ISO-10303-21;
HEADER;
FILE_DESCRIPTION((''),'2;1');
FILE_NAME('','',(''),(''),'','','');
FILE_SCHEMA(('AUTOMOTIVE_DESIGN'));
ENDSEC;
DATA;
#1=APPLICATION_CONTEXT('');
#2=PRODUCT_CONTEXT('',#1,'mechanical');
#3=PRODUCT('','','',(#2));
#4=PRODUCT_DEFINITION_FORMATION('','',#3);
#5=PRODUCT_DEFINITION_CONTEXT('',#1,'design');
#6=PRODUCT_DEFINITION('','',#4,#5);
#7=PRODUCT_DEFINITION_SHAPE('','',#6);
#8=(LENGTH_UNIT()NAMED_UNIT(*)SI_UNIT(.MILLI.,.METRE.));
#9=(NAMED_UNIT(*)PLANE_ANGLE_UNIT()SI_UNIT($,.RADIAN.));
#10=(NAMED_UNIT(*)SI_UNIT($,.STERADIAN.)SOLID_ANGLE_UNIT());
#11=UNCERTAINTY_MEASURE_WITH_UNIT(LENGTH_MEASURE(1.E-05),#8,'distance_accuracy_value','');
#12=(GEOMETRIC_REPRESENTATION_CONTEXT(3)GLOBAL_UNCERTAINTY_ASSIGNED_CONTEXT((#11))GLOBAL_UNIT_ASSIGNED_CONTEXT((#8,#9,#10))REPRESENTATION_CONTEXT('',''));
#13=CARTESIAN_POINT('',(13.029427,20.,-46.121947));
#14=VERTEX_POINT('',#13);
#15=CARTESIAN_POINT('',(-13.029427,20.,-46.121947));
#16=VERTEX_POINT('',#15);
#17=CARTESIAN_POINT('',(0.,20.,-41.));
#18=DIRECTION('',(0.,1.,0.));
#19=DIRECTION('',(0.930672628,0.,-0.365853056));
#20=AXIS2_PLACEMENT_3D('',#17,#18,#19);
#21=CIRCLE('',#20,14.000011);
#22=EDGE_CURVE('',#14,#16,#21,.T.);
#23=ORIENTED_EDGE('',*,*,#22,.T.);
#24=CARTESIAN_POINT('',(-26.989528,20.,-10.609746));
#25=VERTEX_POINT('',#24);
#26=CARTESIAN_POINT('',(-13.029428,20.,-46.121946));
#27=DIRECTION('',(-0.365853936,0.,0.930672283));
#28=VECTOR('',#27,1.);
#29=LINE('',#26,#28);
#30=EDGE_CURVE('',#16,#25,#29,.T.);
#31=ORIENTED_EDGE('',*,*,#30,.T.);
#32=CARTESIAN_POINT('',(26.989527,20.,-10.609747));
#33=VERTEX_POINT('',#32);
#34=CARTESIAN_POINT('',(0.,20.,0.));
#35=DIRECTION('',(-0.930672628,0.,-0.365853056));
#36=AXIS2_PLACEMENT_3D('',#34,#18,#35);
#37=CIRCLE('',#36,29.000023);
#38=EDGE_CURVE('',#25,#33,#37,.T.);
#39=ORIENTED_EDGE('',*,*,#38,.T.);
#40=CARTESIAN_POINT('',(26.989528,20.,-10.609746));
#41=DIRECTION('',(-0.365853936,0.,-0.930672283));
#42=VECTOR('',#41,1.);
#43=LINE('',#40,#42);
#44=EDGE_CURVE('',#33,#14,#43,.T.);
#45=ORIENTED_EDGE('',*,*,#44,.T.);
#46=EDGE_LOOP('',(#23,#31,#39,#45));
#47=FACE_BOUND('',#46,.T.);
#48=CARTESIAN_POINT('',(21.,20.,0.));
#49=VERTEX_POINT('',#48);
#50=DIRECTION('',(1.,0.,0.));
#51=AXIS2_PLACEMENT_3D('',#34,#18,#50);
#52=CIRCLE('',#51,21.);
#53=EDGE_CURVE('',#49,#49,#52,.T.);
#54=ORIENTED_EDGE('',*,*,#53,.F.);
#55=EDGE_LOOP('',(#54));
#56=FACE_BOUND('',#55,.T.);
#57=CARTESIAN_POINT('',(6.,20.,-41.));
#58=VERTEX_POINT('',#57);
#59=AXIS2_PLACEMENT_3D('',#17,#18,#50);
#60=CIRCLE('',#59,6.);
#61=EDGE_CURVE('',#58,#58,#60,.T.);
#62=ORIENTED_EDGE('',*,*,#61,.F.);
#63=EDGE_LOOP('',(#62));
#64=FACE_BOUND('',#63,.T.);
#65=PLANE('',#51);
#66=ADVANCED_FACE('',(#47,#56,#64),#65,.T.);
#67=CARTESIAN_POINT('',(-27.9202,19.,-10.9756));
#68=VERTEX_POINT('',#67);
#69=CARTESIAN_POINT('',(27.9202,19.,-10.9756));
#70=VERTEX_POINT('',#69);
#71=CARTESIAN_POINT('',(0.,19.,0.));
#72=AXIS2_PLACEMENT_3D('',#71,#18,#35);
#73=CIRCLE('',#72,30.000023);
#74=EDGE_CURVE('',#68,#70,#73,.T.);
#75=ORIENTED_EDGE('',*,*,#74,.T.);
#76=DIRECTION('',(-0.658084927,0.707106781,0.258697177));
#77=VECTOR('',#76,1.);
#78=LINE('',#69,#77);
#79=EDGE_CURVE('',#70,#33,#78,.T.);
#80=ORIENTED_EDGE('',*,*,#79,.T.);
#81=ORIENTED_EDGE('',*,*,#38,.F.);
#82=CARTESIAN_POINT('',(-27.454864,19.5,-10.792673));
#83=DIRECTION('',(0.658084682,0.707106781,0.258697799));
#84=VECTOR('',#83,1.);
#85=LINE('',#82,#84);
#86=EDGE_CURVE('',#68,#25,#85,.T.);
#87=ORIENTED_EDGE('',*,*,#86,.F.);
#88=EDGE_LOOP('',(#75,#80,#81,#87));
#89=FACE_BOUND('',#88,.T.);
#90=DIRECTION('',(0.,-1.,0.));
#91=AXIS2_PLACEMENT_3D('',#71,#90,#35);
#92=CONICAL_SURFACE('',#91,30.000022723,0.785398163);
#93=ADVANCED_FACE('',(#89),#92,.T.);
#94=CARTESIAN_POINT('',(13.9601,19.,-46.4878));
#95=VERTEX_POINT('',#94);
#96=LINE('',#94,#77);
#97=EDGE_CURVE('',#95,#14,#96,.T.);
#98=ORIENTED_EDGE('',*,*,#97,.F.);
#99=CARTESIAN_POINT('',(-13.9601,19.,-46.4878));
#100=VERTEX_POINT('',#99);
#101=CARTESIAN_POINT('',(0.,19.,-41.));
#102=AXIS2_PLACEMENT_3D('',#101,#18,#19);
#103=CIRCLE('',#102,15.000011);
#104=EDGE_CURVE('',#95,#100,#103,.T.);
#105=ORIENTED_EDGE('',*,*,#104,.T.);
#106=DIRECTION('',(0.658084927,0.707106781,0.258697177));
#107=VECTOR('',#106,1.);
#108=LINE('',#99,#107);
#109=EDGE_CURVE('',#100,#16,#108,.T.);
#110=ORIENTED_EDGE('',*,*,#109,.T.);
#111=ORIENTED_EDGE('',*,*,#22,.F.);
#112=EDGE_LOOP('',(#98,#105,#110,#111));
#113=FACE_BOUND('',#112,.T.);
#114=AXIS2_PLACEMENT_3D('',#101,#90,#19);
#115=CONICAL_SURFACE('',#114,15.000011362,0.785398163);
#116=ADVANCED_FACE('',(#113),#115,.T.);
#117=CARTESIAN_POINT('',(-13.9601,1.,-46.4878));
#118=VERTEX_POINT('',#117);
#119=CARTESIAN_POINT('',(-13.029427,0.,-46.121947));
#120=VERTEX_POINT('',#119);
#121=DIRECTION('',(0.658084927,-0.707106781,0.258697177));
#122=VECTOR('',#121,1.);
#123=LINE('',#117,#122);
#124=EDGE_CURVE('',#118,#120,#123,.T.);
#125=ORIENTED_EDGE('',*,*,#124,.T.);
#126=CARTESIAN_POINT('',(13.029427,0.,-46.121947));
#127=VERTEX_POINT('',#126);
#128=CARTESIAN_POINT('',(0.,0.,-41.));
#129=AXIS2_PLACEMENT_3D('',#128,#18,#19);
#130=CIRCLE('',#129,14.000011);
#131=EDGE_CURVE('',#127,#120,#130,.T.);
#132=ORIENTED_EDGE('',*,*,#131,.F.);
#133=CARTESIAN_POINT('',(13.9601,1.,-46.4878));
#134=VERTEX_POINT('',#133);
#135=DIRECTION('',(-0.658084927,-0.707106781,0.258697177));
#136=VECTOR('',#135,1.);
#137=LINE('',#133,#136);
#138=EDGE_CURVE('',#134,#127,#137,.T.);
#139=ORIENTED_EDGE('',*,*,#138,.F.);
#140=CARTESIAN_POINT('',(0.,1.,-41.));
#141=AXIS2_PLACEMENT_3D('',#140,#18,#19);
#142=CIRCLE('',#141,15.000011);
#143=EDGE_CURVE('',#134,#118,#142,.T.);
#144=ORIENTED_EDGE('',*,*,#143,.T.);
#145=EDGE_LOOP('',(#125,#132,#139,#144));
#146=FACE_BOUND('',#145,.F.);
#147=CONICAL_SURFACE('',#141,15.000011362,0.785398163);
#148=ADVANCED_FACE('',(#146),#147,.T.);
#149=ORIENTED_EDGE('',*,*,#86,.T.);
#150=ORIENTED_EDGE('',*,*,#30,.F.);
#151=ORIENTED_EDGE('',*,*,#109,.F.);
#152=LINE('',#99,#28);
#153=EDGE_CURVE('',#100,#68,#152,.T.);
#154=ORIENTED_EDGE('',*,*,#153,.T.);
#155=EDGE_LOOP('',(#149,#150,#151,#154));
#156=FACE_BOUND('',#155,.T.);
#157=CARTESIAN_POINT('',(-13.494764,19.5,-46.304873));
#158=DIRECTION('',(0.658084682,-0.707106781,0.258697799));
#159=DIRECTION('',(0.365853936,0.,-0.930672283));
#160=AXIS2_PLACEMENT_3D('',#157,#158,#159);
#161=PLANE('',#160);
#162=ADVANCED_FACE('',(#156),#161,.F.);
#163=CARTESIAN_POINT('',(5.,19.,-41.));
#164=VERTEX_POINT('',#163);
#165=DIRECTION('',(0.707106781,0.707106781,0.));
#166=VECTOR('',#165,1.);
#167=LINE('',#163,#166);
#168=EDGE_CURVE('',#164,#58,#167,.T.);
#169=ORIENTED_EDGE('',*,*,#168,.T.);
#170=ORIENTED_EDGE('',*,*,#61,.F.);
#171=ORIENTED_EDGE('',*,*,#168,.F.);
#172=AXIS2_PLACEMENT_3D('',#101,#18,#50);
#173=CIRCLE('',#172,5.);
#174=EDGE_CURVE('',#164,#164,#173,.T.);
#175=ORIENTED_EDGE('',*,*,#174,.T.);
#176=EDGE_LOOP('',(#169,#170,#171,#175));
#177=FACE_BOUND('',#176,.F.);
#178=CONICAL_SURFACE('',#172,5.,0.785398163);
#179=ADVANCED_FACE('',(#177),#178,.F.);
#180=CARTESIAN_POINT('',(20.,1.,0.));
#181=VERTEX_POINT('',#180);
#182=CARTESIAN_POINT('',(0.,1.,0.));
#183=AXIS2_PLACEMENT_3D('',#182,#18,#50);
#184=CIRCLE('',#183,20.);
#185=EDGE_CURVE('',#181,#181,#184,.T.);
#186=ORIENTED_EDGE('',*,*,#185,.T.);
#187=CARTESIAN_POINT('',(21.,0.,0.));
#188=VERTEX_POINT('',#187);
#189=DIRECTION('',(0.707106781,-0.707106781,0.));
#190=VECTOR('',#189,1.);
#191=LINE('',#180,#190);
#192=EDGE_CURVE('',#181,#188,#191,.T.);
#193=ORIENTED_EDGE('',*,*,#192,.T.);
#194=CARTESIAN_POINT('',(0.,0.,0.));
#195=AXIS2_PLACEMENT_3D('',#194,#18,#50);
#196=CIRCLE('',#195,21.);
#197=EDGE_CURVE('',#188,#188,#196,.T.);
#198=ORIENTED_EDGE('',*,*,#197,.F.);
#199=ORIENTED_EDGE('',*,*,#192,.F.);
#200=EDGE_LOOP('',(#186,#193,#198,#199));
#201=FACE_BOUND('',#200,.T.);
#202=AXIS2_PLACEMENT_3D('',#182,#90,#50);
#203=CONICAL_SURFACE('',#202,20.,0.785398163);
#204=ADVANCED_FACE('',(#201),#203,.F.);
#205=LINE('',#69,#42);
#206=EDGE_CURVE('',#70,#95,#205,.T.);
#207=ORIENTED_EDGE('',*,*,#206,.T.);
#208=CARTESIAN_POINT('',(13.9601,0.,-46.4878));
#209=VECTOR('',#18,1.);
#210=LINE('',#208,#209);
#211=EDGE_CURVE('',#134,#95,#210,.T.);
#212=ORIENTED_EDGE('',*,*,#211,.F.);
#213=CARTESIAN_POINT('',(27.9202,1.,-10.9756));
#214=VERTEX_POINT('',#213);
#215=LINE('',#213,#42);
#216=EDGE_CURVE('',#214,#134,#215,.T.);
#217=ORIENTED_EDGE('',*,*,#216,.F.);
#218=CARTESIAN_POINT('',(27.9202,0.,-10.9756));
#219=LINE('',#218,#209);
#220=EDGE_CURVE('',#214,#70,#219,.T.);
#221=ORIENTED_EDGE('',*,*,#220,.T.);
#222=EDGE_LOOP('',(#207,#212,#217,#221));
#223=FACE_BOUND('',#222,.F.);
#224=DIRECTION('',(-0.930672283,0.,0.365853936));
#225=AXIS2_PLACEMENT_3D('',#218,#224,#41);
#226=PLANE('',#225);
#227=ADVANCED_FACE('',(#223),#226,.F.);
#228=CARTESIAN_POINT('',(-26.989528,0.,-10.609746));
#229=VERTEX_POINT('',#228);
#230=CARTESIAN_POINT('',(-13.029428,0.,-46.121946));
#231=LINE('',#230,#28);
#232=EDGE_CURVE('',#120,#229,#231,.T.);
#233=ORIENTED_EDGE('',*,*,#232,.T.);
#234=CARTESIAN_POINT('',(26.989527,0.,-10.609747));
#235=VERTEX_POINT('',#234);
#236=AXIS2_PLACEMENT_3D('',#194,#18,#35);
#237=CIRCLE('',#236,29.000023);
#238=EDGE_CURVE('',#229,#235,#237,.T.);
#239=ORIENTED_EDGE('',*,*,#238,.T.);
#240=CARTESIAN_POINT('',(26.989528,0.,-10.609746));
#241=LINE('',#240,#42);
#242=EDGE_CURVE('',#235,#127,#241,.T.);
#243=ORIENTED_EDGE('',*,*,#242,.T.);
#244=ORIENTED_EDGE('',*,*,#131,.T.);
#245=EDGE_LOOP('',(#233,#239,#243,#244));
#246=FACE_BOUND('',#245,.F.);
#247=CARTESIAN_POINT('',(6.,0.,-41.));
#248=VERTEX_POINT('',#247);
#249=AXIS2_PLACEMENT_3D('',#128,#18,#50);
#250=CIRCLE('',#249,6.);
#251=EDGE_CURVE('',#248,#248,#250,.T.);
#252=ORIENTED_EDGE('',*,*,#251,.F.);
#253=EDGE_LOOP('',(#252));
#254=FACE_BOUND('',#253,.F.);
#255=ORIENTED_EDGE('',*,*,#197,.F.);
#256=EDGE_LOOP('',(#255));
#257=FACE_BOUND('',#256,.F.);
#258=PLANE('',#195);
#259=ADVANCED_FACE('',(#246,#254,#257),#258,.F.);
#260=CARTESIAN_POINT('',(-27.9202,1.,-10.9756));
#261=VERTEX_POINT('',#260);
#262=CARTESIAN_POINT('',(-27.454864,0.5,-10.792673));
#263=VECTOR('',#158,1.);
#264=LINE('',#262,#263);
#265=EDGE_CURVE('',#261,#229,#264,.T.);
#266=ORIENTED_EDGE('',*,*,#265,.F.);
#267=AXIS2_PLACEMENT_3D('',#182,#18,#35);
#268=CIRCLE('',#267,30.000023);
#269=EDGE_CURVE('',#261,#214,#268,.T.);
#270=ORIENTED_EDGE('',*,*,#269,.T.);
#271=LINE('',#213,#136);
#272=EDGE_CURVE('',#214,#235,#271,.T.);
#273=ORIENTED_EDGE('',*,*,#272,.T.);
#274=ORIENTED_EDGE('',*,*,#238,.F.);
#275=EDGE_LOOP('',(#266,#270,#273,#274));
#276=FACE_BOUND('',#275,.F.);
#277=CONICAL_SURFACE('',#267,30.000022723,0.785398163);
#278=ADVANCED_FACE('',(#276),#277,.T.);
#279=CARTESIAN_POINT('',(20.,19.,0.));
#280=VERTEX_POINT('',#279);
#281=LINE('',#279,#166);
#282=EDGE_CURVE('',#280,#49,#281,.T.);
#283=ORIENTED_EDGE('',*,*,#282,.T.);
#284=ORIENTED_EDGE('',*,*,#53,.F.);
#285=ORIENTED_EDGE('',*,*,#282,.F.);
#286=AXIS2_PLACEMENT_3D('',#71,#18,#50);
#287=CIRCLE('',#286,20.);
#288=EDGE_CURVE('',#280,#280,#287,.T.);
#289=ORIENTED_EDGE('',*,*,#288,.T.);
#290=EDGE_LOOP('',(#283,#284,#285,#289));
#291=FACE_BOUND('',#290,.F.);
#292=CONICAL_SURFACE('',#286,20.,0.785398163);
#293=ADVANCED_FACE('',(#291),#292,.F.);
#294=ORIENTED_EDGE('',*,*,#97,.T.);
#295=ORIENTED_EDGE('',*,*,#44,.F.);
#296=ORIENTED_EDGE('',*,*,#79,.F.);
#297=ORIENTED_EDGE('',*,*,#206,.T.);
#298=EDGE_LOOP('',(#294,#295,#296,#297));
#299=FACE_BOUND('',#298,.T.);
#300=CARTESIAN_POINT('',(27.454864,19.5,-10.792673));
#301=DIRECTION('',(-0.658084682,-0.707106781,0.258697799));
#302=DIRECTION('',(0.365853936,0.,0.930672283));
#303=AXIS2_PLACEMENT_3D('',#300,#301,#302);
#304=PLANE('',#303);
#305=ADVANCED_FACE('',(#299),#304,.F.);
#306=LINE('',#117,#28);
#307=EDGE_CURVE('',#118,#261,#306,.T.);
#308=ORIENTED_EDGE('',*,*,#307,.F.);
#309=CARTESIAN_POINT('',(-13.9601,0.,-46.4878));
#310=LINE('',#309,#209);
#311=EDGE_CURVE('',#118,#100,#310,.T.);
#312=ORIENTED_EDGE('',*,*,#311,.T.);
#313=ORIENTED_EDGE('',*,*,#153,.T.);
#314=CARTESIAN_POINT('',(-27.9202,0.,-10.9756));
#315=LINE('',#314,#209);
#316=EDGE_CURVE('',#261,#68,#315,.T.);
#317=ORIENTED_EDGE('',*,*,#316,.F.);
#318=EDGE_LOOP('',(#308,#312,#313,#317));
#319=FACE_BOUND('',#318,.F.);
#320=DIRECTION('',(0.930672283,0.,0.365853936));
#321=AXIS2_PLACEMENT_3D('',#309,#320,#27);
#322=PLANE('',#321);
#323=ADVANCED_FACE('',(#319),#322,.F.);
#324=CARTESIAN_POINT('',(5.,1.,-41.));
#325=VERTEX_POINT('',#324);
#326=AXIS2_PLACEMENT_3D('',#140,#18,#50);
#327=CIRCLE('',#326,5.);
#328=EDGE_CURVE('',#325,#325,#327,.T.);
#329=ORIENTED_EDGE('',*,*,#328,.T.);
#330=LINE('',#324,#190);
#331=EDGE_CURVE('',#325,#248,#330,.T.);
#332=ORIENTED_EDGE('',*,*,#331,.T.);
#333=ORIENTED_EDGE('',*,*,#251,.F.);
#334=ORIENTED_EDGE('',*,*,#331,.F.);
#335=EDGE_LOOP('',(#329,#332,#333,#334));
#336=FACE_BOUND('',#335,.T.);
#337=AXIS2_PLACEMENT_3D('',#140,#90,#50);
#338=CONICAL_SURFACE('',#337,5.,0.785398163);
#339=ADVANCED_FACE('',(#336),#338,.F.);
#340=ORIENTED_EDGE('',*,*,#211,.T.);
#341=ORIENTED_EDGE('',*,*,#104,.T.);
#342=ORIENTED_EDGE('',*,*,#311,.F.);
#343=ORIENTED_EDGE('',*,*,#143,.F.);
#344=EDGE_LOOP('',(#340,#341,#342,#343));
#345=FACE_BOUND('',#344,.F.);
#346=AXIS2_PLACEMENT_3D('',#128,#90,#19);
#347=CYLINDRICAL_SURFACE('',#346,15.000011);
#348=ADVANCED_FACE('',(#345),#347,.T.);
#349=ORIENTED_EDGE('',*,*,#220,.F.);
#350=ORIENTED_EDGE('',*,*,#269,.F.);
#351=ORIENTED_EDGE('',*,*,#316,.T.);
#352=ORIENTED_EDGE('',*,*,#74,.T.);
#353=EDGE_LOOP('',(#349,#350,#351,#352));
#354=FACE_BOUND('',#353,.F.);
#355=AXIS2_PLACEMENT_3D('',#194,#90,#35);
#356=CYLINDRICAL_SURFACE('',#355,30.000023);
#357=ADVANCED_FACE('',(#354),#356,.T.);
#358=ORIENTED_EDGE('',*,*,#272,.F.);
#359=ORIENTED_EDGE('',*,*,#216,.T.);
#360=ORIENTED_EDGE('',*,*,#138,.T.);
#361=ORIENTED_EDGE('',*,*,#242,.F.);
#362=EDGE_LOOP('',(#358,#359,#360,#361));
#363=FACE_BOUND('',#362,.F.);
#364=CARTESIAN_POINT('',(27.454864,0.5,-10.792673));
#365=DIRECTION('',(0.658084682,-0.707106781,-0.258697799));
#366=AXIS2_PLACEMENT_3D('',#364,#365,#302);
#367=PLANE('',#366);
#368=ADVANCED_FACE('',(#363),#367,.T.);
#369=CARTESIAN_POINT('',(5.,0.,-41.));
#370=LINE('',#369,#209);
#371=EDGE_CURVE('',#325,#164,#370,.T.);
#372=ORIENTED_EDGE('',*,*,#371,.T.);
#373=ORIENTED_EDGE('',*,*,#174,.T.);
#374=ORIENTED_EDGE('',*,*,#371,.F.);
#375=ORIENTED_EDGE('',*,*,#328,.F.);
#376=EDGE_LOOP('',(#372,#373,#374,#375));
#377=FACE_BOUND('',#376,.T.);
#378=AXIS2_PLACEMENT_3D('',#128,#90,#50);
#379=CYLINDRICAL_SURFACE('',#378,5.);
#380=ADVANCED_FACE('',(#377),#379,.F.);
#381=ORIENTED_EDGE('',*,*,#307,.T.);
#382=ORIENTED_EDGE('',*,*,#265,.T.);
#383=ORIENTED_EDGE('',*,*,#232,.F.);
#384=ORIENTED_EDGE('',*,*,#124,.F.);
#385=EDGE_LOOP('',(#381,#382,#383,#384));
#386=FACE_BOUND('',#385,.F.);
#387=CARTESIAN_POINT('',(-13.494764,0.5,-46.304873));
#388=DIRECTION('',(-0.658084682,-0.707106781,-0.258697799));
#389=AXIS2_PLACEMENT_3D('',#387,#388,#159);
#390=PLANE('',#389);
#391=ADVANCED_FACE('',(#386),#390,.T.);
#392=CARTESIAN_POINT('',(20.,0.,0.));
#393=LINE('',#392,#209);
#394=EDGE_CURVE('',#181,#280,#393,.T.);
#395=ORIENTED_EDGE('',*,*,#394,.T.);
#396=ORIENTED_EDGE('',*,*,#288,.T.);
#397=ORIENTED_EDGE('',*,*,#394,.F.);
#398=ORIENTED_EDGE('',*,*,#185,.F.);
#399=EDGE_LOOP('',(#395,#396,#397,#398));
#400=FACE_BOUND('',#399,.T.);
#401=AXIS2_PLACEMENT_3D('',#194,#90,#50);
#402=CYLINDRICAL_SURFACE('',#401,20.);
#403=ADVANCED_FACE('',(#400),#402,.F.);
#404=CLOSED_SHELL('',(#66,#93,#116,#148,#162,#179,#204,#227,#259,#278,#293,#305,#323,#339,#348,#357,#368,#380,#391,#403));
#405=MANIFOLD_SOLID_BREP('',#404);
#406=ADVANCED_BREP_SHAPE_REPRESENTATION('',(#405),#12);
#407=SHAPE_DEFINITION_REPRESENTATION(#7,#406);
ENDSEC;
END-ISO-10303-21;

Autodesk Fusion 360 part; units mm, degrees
sketch "Sketch1" plane through (0, 0, 0) normal (0, 1, 0) x (1, 0, 0)
  circle A0 centre (0, 0) radius 20
  line L0 (-13.9601, 46.4878) -> (-27.9202, 10.9756)
  arc A1 (-27.9202, 10.9756) -> (27.9202, 10.9756) centre (0, 0) ccw
  line L1 (27.9202, 10.9756) -> (13.9601, 46.4878)
  arc A2 (13.9601, 46.4878) -> (-13.9601, 46.4878) centre (0, 41) ccw
  circle A3 centre (0, 41) radius 5
  point P0 (0, -30)
  point P1 (0, 56)
  dimension "d1" = 40
  dimension "d2" = 30
  dimension "d3" = 41
  dimension "d4" = 15
  dimension "d8" = 10
  dimension "d9" = 86
extrude "Extrude1" add sketch "Sketch1" along normal blind 20
chamfer "Chamfer1" distance 1 angle 45 12 edges at (0, 20, -56) (-20.9401, 20, -28.7317) (0, 20, 30) (20.9401, 20, -28.7317) (0, 0, -56) (-20.9401, 0, -28.7317) (0, 0, 30) (20.9401, 0, -28.7317) (-18.6465, 20, -7.2323) (-18.6465, 0, -7.2323) (-4.6616, 20, -42.8081) (-4.6616, 0, -42.8081)
